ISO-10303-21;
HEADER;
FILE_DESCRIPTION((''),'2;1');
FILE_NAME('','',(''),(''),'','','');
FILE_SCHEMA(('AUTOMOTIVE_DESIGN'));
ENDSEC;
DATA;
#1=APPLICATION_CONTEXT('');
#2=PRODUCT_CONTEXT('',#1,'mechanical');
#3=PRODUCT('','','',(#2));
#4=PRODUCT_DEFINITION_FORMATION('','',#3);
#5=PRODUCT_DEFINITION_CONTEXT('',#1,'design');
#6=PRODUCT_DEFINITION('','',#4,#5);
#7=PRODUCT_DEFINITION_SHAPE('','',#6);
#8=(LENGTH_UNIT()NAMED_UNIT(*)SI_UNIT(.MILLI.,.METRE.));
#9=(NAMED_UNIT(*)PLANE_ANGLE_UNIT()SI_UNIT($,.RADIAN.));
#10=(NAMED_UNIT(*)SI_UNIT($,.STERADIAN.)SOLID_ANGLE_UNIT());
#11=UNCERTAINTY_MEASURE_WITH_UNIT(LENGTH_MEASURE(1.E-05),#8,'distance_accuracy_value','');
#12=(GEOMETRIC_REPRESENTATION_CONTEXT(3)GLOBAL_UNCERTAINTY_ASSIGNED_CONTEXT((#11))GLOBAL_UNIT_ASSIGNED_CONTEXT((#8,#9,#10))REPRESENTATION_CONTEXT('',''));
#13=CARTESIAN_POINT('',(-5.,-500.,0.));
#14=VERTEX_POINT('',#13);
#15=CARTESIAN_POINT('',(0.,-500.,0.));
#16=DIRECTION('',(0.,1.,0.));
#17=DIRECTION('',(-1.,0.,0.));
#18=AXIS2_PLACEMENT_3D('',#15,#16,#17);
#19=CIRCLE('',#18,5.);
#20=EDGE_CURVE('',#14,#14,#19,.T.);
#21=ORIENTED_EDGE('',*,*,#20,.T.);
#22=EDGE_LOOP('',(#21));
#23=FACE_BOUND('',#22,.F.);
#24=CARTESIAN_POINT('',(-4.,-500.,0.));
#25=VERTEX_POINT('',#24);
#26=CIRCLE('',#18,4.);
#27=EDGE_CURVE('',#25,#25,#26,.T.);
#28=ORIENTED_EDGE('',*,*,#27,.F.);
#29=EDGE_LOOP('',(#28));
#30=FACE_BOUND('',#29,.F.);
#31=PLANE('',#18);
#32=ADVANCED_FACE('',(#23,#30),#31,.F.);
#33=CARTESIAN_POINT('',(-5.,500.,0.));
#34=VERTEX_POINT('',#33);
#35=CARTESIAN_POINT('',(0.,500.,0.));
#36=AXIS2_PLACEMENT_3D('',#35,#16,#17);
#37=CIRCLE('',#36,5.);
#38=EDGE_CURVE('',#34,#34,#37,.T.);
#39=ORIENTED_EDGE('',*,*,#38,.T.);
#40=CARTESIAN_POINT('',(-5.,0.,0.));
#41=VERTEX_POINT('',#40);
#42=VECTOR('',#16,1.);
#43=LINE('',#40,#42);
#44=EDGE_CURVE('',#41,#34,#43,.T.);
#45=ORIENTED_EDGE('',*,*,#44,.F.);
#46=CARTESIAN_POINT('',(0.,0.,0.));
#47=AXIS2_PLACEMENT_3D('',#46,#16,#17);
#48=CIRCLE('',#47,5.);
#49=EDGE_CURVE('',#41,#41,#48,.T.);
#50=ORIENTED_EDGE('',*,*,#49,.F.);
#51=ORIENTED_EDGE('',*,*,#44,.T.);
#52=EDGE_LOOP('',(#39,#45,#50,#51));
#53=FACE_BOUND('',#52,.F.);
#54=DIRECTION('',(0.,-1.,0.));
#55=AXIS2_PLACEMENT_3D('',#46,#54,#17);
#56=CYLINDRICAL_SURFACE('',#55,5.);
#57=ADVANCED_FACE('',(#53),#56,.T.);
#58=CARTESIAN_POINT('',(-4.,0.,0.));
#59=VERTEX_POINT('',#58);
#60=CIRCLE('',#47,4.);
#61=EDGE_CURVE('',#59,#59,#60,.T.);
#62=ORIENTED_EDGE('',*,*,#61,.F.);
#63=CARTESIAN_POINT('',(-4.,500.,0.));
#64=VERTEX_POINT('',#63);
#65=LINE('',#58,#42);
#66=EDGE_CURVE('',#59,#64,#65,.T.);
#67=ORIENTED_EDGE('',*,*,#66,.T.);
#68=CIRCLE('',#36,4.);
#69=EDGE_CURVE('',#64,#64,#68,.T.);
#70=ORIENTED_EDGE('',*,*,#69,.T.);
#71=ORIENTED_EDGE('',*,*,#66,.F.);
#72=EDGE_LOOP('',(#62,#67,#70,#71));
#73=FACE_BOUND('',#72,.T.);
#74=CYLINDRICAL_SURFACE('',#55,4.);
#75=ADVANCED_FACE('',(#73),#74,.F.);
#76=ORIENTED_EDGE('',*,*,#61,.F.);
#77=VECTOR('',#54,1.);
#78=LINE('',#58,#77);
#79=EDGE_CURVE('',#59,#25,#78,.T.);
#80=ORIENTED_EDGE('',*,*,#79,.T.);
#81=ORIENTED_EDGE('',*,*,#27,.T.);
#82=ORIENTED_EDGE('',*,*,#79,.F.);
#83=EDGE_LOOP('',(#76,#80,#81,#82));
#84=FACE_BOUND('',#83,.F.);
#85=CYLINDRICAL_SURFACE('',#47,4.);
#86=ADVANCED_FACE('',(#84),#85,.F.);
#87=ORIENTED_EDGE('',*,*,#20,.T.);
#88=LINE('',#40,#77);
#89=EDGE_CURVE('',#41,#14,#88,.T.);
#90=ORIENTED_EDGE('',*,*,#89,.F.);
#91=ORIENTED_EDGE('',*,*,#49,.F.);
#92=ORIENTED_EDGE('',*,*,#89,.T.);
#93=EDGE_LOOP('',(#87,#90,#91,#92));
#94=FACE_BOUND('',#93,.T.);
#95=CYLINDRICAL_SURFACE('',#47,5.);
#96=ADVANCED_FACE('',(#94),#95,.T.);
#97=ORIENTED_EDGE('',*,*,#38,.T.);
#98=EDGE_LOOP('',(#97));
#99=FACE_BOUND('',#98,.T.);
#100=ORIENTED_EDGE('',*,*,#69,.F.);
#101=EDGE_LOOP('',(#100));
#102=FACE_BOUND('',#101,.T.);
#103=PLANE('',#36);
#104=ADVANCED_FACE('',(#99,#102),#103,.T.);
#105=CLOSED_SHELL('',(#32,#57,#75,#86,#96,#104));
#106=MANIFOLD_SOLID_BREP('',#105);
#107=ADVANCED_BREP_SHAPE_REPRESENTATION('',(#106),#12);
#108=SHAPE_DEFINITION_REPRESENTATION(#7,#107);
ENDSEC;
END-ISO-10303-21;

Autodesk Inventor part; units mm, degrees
ref_plane "YZ Plane" through (0, 0, 0) normal (1, 0, 0) x (0, 1, 0)
ref_plane "XZ Plane" through (0, 0, 0) normal (0, 1, 0) x (-1, 0, 0)
ref_plane "XY Plane" through (0, 0, 0) normal (0, 0, 1) x (1, 0, 0)
sketch "Esquisse1" plane through (0, 0, 0) normal (0, 1, 0) x (-1, 0, 0)
  circle A0 centre (0, 0) radius 5
  circle A1 centre (0, 0) radius 4
  dimension "d0" = 10
  dimension "d1" = 8
extrude "Extrusion1" add sketch "Esquisse1" along normal mid plane 1000
properties part number "tube acier"
